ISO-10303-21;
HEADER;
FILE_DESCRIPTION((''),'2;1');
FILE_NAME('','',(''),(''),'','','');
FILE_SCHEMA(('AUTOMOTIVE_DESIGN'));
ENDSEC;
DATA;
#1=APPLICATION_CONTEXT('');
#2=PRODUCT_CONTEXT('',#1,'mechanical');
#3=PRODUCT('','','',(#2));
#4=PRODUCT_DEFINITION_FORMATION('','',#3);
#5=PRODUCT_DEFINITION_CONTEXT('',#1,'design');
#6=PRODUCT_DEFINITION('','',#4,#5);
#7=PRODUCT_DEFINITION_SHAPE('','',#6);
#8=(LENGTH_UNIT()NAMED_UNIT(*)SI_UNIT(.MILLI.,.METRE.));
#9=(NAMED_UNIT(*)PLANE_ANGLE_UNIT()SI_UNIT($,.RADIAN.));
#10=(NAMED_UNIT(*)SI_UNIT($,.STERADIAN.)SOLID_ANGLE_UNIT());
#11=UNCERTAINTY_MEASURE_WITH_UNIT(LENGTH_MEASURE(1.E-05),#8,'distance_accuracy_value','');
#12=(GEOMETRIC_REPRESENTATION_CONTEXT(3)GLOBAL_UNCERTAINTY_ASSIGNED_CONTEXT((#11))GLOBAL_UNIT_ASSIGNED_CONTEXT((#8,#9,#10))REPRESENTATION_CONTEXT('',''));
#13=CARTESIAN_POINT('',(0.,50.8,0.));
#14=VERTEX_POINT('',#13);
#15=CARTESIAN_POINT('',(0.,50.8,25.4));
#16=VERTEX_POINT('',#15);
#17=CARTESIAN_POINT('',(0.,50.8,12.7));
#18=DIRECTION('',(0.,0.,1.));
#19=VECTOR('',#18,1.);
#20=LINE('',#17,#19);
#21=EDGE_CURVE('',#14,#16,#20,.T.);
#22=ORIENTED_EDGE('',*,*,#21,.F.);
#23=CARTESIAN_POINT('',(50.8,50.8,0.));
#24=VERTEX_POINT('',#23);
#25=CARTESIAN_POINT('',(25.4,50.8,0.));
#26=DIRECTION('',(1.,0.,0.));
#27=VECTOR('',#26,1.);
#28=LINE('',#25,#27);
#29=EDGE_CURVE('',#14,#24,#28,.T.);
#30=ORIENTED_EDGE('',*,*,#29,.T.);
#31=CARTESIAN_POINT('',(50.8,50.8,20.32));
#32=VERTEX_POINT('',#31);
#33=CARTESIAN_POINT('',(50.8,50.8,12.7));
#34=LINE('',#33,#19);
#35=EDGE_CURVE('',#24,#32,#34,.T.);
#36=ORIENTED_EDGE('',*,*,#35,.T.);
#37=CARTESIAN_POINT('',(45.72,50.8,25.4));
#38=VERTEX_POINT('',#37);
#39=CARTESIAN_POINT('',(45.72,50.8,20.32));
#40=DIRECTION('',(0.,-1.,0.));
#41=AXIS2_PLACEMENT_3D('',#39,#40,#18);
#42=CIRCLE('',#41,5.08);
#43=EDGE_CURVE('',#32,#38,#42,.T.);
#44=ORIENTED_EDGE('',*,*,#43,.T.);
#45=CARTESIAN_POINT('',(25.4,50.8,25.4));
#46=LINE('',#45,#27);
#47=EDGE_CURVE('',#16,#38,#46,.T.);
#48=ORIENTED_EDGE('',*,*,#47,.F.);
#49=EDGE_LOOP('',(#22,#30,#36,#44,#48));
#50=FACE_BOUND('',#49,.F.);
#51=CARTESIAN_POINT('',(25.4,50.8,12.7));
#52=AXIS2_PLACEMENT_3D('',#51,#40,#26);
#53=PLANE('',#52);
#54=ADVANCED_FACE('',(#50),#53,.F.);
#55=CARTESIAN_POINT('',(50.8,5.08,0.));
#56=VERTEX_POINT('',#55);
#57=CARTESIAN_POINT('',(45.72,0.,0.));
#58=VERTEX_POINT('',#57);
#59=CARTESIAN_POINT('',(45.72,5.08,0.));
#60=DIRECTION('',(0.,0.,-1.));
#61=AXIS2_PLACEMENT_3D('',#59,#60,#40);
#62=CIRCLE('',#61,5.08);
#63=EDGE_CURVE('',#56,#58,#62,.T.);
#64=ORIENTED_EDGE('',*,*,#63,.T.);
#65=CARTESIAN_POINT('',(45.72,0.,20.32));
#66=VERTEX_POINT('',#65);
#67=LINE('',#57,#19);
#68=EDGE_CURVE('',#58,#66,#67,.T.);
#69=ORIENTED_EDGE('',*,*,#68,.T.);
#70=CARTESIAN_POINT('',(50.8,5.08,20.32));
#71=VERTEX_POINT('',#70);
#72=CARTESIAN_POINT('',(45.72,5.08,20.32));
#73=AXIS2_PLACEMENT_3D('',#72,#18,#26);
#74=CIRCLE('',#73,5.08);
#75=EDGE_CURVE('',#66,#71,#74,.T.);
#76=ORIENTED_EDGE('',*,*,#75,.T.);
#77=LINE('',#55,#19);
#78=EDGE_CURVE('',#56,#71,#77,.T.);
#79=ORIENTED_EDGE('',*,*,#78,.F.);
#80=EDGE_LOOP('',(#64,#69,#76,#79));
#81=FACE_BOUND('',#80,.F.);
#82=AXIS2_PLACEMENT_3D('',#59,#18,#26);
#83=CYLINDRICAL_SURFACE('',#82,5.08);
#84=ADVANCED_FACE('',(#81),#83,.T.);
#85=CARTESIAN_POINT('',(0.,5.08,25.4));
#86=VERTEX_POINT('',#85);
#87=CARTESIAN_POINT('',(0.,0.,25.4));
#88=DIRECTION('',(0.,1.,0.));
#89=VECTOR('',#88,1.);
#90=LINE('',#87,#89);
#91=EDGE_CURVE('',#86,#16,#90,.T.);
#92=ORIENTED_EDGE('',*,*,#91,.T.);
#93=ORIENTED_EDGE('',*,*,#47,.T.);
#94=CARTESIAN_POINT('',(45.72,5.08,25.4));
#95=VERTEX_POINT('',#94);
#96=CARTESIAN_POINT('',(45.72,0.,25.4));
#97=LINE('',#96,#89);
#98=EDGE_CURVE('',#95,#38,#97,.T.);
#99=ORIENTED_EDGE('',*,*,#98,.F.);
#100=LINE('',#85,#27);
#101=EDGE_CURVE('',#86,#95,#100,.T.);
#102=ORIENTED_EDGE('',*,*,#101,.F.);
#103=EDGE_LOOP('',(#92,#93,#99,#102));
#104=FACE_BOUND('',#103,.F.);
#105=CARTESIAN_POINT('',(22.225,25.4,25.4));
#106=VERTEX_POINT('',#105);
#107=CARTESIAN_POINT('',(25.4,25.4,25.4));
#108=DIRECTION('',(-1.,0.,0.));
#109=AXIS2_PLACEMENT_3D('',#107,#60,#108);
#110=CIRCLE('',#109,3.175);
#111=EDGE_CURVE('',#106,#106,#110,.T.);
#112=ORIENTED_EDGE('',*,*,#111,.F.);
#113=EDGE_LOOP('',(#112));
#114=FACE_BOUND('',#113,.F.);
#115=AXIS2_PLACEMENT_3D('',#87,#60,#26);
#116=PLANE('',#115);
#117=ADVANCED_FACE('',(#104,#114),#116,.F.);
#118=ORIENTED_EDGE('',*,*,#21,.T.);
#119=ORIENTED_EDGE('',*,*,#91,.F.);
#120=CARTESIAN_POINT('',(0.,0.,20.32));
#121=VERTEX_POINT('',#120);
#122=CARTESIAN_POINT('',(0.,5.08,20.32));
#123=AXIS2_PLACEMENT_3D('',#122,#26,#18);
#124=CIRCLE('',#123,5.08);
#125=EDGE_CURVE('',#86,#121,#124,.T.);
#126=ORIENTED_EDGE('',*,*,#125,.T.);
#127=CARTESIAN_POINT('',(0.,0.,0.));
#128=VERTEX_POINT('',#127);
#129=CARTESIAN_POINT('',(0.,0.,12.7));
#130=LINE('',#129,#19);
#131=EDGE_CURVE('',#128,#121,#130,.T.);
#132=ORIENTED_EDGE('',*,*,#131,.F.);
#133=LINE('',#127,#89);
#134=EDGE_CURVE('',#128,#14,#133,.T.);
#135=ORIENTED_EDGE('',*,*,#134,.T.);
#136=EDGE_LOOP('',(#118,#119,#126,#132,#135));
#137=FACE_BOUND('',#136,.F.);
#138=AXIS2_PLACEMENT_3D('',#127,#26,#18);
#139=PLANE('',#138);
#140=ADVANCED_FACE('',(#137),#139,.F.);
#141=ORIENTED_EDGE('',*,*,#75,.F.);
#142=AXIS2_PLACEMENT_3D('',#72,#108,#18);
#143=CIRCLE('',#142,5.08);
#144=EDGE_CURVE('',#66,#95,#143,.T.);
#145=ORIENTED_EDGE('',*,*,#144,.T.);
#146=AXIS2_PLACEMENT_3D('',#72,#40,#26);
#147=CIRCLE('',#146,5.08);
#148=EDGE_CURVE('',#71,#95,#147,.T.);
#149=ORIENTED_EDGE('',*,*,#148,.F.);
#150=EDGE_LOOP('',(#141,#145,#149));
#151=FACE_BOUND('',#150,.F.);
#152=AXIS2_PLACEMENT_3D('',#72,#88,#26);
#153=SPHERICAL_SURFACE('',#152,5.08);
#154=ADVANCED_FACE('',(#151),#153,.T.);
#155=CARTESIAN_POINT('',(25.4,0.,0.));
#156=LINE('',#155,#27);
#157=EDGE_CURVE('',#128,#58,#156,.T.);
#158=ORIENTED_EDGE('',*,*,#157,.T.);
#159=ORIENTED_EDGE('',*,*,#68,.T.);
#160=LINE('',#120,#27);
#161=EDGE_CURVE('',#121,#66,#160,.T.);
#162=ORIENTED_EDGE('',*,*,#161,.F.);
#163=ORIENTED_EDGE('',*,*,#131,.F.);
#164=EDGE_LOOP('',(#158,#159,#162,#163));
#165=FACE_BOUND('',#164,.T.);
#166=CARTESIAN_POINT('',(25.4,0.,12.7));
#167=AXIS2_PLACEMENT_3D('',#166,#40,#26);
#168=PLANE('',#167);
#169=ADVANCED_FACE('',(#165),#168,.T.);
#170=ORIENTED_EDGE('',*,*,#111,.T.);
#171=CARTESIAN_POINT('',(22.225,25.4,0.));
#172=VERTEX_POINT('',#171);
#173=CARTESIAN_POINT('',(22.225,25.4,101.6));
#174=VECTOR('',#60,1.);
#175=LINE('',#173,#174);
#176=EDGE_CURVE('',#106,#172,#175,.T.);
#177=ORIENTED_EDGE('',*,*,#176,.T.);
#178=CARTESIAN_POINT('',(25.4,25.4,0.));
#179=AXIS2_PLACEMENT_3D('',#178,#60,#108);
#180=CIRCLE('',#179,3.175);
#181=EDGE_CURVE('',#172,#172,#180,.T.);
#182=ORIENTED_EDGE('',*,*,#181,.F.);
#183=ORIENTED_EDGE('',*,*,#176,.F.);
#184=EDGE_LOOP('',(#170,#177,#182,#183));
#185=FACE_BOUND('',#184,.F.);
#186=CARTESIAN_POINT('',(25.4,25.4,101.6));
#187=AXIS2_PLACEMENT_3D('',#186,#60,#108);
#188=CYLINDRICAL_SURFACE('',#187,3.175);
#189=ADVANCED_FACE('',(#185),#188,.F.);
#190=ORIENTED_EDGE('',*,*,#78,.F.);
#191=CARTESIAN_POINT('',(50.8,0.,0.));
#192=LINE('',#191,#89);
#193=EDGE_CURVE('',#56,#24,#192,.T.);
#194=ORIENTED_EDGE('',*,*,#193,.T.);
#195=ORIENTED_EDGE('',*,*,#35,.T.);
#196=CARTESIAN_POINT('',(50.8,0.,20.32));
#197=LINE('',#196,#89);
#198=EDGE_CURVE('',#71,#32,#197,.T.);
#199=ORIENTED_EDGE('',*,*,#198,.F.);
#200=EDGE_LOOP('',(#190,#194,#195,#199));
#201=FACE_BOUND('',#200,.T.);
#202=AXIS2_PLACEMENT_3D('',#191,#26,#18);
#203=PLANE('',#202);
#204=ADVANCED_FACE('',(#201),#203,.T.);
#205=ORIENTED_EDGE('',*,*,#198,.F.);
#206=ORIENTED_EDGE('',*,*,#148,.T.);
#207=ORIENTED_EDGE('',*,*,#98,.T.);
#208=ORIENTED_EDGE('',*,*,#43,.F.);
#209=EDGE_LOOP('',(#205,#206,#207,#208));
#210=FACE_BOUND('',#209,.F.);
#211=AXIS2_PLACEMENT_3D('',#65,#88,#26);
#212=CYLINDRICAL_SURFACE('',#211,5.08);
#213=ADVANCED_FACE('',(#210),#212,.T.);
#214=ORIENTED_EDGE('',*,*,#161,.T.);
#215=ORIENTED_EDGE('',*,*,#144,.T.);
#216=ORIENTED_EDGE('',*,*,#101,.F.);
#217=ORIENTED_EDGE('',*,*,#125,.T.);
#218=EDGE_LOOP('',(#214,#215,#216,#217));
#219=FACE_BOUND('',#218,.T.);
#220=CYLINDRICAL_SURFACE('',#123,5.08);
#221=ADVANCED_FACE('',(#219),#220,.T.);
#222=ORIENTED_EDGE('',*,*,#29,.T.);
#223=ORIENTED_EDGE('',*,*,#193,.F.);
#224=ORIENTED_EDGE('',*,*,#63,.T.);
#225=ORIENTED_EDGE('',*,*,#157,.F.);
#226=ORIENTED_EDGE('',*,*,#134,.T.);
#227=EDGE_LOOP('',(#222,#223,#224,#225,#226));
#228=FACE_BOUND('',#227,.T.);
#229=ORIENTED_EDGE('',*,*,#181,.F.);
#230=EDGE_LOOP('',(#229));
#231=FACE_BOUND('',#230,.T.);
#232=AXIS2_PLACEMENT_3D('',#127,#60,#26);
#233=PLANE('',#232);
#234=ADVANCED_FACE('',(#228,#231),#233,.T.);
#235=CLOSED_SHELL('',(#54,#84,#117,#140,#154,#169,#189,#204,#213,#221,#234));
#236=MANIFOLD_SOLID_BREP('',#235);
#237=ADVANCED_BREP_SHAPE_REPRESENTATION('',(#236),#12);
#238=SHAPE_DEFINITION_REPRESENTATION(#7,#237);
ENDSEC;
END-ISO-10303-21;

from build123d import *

# Parameters (mm, degrees)
F0_W     = 50.8
F0_H     = 25.4
F1_DEPTH = 50.8
F2_R     = 5.08
F4_D     = 6.35


with BuildPart() as f1:
    # F0 (on Front) → F1 (new body)
    with BuildSketch(Plane.XZ):
        with Locations((25.4, 12.7)):
            Rectangle(F0_W, F0_H)
    extrude(amount=-F1_DEPTH)

    # F2
    f2_edges = [f1.edges().sort_by_distance(p)[0] for p in [
        (50.8, 25.4, 25.4),
        (50.8, 0, 12.7),
        (25.4, 0, 25.4),
    ]]
    fillet(f2_edges, radius=F2_R)

    # F4 (through all)
    with Locations(Plane.XY.offset(25.4)):
        with Locations((25.4, 25.4)):
            Hole(F4_D / 2)


solid = f1.part
